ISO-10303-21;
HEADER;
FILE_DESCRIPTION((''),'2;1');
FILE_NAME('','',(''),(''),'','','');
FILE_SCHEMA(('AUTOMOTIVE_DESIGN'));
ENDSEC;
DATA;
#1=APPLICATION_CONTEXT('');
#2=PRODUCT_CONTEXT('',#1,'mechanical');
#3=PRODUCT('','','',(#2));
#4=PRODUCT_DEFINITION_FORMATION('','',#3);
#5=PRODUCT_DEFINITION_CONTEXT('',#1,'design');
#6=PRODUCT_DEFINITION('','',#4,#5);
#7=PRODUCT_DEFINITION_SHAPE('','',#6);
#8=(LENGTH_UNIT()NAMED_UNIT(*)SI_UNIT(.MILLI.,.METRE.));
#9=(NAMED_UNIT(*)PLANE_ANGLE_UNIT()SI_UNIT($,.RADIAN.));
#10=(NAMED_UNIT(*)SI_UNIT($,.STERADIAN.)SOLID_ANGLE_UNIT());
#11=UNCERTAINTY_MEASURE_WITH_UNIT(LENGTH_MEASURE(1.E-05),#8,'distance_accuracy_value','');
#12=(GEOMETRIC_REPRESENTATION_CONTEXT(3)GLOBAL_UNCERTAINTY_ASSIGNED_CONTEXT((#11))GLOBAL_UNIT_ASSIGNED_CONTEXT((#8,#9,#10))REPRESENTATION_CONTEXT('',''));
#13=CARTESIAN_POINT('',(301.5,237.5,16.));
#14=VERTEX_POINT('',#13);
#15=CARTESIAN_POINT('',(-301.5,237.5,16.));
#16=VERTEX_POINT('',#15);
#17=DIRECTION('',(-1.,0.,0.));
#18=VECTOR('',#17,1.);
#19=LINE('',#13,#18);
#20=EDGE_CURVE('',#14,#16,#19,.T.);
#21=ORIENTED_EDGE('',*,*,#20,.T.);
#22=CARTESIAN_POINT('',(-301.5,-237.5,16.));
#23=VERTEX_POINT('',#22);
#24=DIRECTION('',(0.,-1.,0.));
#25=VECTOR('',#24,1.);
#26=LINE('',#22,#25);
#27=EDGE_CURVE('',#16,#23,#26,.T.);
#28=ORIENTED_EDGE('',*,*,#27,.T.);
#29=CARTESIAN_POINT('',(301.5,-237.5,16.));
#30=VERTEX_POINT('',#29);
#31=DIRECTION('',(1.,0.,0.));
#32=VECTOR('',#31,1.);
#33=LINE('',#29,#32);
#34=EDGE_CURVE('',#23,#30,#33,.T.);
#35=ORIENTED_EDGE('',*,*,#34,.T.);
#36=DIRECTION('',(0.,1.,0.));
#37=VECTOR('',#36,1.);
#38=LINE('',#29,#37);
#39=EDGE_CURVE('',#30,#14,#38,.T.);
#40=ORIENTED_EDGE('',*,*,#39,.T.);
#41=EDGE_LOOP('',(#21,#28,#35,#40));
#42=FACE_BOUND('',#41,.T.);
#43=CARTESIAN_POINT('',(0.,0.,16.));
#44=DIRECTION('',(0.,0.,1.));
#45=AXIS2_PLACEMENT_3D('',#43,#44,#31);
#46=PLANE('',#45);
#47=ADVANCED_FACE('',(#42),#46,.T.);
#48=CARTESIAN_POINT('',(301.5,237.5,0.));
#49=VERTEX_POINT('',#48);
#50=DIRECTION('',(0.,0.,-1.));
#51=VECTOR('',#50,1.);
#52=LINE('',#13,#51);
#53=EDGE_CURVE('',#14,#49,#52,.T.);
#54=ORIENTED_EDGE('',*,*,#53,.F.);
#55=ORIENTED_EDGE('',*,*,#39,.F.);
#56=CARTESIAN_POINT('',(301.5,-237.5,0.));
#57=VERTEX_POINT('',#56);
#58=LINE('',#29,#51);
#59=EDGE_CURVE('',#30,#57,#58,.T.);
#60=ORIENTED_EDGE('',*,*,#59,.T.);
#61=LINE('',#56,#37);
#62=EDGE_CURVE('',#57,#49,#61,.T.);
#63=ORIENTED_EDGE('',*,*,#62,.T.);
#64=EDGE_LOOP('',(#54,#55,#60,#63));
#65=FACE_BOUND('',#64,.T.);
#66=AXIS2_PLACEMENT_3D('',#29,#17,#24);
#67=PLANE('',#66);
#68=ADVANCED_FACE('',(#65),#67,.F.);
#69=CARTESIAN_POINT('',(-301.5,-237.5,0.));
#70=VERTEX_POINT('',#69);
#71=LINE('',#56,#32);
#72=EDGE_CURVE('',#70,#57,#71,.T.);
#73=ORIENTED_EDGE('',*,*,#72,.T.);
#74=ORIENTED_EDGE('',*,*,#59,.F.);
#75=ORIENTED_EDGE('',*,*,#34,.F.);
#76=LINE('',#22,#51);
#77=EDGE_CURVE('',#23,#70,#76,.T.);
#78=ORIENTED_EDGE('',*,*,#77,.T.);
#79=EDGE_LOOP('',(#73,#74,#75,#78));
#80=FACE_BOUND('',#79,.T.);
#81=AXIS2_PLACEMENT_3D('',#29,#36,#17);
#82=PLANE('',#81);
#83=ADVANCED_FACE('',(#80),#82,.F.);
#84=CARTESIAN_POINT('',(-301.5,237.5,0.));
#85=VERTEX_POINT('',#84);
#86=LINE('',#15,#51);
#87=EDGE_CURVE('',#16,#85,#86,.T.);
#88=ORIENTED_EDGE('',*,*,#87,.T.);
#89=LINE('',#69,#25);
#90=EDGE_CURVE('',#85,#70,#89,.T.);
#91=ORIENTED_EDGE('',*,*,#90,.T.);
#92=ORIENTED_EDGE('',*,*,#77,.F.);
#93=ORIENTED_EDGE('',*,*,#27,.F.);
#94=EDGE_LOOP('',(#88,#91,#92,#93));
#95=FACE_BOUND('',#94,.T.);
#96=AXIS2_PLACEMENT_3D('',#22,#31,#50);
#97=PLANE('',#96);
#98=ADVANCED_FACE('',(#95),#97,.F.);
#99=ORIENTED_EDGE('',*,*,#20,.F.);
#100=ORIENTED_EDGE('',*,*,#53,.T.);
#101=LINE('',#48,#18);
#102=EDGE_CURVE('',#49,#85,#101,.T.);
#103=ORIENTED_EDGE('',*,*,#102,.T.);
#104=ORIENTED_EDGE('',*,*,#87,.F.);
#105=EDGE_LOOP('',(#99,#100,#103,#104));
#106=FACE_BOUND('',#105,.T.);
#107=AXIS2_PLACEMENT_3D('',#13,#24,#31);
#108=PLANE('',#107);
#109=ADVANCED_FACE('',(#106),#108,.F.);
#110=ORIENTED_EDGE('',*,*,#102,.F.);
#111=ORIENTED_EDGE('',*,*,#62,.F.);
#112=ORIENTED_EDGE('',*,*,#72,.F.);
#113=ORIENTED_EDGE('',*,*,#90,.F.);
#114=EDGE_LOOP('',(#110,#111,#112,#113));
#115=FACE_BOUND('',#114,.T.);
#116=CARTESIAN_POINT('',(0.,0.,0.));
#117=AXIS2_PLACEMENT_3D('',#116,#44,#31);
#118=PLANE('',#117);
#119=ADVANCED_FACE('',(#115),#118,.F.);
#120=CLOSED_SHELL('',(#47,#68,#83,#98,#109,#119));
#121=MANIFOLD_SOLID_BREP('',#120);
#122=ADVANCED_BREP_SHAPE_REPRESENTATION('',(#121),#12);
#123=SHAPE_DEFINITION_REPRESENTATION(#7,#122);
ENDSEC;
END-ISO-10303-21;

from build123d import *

# Parameters (mm, degrees)
SKIZZE1_W                       = 603
SKIZZE1_H                       = 475
AUFSATZ_LINEAR_AUSTRAGEN1_DEPTH = 16


with BuildPart() as part:
    # Skizze1 → Aufsatz-Linear austragen1 (new body)
    with BuildSketch(Plane.XY):
        Rectangle(SKIZZE1_W, SKIZZE1_H)
    extrude(amount=AUFSATZ_LINEAR_AUSTRAGEN1_DEPTH)


solid = part.part
